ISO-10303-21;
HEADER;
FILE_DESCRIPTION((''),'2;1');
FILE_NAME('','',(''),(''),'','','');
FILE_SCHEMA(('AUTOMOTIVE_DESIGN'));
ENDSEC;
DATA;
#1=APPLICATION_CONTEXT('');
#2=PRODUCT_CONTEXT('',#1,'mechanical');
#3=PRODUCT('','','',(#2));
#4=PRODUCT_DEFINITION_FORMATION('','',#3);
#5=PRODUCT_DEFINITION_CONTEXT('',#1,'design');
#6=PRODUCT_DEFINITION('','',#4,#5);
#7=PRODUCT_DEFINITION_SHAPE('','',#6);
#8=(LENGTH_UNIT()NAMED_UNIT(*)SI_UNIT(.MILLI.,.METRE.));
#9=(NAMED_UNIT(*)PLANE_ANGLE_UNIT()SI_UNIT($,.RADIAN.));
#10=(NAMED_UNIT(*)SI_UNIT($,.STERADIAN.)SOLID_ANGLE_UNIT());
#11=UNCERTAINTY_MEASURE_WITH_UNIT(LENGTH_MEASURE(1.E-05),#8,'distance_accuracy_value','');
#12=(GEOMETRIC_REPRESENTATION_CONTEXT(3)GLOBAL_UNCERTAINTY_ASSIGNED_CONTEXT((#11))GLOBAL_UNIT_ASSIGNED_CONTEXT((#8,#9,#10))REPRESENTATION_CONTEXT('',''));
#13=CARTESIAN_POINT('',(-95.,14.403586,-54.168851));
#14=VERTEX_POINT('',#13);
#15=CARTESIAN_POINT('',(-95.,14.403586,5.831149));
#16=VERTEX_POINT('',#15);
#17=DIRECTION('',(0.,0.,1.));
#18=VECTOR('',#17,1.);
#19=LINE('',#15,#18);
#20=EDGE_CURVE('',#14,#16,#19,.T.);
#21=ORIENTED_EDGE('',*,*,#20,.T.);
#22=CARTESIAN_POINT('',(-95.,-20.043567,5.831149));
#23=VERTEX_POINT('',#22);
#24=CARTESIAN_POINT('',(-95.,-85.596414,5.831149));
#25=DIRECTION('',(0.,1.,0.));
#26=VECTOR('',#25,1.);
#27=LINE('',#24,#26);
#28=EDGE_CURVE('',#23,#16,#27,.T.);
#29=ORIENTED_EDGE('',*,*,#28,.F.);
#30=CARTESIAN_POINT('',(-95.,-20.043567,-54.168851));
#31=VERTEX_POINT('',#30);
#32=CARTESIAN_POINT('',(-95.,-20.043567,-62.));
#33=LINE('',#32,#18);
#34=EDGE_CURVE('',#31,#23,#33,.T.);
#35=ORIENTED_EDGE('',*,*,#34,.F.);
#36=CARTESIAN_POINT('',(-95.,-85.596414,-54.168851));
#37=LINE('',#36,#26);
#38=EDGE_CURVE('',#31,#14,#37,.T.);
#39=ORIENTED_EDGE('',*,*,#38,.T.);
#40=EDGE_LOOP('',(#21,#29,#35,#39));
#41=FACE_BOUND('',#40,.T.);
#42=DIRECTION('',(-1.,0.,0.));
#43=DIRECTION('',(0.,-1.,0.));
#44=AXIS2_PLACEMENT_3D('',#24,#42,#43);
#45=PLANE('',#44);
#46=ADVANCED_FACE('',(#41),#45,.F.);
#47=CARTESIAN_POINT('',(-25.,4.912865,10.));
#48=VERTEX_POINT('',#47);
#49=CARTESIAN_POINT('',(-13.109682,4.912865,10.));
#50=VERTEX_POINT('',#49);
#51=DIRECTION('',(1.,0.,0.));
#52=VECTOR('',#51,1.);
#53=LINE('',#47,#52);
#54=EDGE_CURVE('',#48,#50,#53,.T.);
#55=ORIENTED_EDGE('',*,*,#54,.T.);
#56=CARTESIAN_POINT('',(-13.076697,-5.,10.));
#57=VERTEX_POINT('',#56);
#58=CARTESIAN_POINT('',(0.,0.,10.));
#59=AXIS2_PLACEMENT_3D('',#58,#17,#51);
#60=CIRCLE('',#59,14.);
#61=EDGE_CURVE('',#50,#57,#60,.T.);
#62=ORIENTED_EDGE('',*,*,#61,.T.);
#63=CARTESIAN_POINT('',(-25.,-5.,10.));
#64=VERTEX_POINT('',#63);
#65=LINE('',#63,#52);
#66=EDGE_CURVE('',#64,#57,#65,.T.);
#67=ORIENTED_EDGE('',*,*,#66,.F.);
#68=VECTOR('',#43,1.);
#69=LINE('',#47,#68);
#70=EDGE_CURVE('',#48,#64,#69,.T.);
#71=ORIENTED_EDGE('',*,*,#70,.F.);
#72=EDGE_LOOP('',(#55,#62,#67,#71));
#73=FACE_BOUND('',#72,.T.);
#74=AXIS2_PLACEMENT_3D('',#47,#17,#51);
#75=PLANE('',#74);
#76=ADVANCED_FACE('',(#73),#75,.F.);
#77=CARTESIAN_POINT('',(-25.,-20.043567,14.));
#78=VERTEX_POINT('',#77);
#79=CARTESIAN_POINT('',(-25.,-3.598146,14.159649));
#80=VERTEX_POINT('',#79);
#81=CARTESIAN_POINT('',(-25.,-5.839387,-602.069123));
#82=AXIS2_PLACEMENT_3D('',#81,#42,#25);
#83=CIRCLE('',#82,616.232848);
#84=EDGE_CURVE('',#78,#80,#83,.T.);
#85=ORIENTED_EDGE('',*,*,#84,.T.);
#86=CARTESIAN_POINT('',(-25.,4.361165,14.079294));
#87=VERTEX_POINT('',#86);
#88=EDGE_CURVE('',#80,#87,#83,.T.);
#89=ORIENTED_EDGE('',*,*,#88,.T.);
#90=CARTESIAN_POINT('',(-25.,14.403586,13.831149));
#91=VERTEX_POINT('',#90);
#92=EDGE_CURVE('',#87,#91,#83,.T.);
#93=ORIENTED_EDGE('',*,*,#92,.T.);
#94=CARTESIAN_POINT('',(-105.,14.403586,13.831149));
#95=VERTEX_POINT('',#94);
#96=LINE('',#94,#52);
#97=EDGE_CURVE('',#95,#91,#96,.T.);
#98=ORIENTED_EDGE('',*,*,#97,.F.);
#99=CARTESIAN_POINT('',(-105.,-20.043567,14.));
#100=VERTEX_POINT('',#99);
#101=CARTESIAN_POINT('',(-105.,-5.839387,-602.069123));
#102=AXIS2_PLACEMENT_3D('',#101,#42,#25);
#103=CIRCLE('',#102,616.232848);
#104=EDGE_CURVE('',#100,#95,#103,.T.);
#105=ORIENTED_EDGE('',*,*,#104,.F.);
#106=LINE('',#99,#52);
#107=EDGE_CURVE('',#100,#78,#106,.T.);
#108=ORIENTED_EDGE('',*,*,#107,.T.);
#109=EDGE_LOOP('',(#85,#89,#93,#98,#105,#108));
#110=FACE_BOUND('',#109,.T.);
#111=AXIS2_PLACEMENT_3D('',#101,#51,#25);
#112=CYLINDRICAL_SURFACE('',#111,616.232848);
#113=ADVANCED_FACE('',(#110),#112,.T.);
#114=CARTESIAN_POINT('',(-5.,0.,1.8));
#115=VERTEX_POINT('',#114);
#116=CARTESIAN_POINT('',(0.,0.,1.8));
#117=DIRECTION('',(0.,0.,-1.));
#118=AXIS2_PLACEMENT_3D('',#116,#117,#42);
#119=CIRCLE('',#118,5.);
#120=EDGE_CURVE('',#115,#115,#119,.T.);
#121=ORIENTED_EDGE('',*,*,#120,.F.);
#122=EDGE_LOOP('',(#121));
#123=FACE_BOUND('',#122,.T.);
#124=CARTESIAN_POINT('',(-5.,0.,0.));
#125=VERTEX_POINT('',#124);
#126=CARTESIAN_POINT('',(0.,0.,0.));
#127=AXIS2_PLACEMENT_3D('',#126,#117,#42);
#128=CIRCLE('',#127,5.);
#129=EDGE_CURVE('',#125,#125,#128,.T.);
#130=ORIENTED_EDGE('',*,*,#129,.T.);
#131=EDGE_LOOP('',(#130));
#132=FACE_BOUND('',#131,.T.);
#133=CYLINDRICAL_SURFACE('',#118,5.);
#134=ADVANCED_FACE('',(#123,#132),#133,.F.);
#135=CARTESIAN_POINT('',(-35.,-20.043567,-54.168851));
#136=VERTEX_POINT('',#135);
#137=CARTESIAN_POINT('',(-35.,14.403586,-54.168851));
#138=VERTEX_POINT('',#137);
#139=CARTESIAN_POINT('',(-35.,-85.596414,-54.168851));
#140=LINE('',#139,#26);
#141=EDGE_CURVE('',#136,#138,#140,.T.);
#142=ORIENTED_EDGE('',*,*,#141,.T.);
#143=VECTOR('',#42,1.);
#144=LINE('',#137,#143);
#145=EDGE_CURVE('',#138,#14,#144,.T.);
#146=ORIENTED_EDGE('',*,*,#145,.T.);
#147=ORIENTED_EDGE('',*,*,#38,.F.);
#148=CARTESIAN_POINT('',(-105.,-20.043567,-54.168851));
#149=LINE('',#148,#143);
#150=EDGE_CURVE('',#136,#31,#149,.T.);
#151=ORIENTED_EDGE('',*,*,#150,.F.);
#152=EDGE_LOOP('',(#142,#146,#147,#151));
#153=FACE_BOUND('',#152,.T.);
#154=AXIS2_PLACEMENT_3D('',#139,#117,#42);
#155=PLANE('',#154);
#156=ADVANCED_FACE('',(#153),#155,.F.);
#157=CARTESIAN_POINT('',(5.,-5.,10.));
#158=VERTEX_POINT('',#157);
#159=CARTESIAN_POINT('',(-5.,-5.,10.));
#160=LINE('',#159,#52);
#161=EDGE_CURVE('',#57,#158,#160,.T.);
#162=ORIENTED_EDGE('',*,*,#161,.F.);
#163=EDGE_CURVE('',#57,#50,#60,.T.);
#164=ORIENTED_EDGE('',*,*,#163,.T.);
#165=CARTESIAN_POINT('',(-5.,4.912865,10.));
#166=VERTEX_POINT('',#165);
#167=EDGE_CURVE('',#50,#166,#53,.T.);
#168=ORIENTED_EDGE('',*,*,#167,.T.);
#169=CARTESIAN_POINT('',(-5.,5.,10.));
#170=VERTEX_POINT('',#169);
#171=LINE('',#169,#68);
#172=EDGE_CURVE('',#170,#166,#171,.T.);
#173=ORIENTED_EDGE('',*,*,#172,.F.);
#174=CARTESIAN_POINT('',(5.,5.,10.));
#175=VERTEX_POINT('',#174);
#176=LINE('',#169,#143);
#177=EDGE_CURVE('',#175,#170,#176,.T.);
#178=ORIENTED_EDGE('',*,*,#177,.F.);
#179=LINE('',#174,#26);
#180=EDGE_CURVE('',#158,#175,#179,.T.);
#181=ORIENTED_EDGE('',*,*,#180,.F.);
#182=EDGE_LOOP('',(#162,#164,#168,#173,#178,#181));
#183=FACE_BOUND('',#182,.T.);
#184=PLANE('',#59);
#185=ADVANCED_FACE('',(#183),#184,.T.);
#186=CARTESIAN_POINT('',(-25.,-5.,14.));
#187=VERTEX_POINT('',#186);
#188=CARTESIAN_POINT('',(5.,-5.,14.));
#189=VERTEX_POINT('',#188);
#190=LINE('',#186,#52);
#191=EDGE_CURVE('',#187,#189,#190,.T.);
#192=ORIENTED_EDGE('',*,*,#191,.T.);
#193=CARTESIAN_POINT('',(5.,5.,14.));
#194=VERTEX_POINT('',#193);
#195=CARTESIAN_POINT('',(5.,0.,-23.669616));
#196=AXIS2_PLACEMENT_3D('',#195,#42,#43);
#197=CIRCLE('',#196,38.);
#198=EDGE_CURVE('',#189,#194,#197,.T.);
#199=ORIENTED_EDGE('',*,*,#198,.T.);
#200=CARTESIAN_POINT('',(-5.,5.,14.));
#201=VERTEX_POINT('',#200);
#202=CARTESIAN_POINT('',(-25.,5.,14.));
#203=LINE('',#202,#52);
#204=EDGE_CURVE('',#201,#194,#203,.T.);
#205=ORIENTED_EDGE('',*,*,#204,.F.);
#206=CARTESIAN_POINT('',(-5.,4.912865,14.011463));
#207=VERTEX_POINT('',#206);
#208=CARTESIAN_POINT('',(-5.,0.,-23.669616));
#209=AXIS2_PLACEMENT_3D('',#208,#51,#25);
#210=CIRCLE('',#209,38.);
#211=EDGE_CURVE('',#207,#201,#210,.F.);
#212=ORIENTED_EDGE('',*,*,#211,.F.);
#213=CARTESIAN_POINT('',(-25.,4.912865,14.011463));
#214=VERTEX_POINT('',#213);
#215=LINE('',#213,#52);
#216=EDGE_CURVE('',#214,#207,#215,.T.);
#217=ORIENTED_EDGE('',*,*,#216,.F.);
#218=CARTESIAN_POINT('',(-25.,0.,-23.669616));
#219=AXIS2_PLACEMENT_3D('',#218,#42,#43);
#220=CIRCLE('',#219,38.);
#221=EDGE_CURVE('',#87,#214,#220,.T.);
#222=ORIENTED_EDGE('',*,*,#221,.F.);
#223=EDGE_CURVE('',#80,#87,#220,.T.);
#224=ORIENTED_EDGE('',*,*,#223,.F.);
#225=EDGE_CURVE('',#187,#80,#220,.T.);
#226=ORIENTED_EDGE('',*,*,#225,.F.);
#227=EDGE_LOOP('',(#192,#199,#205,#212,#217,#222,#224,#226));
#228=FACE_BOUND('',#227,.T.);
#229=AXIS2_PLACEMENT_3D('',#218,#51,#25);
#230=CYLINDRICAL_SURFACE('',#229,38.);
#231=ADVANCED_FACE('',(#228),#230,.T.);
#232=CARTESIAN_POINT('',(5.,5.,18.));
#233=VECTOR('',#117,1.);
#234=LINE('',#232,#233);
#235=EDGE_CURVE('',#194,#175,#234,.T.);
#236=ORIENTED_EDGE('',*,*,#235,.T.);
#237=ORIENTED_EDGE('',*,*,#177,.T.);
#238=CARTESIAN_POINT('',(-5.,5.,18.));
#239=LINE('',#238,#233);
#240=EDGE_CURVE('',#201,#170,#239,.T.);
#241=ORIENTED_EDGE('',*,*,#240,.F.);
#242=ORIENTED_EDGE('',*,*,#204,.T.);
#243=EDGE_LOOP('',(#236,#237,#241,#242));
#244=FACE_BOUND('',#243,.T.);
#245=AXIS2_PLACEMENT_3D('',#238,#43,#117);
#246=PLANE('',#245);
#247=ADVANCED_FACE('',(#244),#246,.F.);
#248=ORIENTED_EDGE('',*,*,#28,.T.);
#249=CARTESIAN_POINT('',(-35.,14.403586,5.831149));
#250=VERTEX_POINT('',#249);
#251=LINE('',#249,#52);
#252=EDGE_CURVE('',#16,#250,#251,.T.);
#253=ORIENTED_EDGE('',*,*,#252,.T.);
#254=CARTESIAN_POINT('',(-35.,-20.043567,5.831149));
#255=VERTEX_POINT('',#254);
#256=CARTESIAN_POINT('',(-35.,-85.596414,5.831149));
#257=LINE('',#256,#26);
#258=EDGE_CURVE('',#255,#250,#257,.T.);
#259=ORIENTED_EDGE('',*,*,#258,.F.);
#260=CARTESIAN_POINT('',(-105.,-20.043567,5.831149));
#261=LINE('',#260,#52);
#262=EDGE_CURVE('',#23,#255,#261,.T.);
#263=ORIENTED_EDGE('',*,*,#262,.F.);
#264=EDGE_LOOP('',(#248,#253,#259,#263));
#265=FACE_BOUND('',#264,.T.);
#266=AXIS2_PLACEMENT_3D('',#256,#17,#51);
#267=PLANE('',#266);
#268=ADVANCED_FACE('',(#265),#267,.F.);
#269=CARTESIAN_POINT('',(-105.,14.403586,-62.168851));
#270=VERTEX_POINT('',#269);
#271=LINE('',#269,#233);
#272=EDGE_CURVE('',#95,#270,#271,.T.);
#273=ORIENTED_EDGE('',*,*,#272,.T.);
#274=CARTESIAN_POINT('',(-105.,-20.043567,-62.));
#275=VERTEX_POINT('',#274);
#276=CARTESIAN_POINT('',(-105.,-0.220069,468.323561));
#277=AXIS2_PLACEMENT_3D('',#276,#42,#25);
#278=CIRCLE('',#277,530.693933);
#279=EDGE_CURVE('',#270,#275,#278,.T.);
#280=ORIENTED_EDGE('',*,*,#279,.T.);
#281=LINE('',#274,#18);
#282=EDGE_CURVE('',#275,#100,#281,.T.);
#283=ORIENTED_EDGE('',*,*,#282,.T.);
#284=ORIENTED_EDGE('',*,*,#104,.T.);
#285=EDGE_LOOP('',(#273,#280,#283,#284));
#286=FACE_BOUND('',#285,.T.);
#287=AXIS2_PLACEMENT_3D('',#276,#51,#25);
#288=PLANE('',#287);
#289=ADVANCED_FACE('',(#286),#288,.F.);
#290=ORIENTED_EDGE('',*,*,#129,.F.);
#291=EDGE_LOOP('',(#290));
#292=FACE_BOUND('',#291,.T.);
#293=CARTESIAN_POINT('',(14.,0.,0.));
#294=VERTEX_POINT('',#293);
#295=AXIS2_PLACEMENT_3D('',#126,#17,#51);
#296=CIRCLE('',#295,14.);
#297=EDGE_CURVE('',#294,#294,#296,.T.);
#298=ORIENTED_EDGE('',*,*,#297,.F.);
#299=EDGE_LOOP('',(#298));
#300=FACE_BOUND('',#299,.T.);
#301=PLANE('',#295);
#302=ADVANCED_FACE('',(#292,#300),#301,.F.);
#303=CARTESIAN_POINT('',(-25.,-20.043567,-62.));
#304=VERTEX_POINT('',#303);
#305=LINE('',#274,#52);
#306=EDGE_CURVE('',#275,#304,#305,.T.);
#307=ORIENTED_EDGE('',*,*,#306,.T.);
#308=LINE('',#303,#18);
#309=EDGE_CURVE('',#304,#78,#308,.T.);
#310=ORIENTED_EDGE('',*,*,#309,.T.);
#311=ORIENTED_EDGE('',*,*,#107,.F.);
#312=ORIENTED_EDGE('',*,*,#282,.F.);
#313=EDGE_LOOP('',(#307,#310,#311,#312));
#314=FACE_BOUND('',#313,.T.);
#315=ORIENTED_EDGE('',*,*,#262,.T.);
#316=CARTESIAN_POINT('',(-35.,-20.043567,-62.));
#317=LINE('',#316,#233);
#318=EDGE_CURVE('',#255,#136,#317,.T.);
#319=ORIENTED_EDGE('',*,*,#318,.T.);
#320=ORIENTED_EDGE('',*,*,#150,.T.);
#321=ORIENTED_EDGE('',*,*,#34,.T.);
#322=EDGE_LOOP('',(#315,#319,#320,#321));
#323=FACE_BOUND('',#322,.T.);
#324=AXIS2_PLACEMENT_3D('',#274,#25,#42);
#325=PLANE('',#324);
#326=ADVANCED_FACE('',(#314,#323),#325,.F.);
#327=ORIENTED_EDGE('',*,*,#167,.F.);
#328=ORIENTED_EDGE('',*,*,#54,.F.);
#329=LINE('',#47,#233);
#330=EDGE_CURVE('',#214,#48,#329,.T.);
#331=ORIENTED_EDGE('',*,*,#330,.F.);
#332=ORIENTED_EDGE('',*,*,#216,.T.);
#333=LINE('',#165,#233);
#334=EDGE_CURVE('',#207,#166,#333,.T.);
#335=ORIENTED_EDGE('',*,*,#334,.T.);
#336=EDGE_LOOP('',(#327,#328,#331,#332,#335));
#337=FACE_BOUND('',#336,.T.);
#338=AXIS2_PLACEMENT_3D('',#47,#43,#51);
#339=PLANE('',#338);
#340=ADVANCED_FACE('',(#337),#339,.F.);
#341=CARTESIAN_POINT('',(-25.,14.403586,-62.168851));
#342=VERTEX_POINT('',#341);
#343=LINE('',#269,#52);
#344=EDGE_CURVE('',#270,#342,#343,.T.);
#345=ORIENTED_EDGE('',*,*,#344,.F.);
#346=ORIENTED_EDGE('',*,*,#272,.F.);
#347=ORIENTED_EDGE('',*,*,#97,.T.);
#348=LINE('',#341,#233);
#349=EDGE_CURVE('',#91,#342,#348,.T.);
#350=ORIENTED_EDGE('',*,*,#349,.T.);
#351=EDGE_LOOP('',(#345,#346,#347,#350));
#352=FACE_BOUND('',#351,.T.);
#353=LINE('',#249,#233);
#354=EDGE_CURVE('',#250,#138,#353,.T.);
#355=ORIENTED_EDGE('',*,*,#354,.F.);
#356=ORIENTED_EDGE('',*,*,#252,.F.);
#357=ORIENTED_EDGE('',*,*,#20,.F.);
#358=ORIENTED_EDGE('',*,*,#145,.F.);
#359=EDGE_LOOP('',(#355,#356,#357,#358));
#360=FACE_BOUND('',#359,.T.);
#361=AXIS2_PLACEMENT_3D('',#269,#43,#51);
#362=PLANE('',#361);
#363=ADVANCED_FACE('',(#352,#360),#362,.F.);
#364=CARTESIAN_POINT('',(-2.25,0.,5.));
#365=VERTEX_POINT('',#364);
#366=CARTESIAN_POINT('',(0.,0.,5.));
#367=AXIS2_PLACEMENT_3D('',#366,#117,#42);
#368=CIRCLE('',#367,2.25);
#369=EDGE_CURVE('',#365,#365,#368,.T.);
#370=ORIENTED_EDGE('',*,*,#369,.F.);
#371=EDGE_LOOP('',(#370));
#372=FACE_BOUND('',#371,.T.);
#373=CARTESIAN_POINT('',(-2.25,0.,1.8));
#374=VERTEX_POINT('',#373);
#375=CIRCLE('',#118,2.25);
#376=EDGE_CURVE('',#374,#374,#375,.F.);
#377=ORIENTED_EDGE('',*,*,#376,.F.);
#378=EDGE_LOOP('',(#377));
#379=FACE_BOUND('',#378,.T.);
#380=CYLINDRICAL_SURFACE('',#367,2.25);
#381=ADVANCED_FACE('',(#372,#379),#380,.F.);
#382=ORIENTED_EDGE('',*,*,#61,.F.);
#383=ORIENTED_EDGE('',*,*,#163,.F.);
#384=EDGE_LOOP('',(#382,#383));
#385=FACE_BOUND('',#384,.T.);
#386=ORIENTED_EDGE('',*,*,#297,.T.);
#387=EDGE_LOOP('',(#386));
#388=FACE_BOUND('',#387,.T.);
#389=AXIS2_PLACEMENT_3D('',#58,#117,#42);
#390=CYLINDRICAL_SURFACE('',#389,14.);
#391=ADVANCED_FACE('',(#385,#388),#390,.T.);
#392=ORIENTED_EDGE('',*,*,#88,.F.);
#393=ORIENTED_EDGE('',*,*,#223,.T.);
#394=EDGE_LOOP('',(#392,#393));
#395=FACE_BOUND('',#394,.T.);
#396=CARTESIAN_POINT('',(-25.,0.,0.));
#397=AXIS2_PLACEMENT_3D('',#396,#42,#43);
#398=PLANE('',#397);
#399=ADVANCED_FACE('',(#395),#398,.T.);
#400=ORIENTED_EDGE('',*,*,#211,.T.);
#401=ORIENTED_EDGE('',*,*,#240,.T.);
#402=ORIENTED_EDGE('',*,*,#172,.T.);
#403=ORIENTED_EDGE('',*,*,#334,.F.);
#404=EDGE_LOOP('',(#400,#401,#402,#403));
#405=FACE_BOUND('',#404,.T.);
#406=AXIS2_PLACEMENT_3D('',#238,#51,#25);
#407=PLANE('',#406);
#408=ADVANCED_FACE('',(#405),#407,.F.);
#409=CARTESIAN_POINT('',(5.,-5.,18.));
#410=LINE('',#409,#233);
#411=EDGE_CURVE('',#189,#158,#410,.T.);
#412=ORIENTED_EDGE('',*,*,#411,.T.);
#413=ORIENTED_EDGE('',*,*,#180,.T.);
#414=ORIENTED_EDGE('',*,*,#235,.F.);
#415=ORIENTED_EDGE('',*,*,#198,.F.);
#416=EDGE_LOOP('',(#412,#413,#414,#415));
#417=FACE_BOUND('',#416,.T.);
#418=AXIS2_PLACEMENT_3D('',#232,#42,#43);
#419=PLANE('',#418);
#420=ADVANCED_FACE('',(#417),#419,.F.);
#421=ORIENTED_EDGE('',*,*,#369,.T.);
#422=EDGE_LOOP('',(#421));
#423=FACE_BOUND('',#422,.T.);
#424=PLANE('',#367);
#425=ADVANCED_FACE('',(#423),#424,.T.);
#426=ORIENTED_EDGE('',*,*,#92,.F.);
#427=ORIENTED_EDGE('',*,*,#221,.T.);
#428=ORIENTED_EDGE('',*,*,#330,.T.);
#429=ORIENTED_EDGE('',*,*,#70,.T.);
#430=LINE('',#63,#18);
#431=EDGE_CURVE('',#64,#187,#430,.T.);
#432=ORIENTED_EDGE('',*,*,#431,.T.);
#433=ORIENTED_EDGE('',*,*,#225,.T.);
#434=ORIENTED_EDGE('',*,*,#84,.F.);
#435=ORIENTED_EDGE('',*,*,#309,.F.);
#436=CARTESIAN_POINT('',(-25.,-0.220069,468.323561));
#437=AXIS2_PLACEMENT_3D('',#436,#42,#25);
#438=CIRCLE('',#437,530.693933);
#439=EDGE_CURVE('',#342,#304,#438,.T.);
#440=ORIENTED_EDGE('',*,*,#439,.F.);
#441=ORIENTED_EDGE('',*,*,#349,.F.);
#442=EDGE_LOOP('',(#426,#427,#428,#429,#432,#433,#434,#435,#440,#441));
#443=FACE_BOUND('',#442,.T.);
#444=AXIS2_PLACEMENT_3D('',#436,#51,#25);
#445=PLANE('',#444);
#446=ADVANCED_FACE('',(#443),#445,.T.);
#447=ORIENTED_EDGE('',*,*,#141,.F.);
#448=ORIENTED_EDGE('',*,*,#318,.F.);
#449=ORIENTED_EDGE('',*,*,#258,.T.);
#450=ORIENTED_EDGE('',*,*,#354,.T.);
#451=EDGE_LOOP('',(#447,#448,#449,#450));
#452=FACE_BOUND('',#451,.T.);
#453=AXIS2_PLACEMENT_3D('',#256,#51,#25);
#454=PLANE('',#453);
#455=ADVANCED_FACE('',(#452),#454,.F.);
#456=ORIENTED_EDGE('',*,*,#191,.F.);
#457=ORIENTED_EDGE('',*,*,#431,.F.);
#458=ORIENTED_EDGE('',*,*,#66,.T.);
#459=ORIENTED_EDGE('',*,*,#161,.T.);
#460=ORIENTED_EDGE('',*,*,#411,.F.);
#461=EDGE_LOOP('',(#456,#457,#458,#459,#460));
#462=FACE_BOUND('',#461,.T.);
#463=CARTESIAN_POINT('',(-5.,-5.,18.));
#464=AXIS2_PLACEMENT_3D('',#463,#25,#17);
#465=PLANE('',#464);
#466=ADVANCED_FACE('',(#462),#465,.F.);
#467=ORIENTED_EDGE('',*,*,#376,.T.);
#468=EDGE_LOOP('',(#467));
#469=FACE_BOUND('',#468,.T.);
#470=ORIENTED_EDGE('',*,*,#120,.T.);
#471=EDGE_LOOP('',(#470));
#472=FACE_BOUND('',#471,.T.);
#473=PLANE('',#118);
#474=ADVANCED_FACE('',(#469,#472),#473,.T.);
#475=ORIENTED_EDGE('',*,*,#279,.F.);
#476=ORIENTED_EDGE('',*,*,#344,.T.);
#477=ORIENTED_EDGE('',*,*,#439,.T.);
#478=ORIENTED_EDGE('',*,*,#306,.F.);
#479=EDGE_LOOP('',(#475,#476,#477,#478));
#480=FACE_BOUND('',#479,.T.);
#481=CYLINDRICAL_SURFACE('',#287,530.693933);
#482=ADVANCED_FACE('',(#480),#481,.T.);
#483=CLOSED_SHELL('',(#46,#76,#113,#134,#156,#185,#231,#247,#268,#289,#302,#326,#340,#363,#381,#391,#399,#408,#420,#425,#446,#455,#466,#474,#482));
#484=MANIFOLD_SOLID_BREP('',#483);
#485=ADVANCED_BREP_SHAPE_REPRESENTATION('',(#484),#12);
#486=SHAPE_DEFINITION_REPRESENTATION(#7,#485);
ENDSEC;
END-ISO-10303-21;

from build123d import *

# Parameters (mm, degrees)
SKETCH1_R           = 14
BOSS_EXTRUDE1_DEPTH = 10
SKETCH2_R           = 2.25
CUT_EXTRUDE1_DEPTH  = 5
SKETCH3_R           = 5
CUT_EXTRUDE2_DEPTH  = 1.8
SKETCH4_W           = 10
SKETCH4_H           = 10
BOSS_EXTRUDE2_DEPTH = 8
SKETCH6_W           = 8
SKETCH6_H           = 9.912865289
BOSS_EXTRUDE3_DEPTH = 20
CUT_EXTRUDE3_DEPTH  = 30
BOSS_EXTRUDE4_DEPTH = 80
SKETCH9_W           = 60
SKETCH9_H           = 60
CUT_EXTRUDE4_DEPTH  = 100


with BuildPart() as part:
    # Sketch1 → Boss-Extrude1 (new body)
    with BuildSketch(Plane.XY):
        Circle(SKETCH1_R)
    extrude(amount=BOSS_EXTRUDE1_DEPTH)

    # Sketch2 → Cut-Extrude1 (cut)
    with BuildSketch(Plane(origin=(0, 0, 0), x_dir=(-1, 0, 0), z_dir=(0, 0, -1))):
        Circle(SKETCH2_R)
    extrude(amount=-CUT_EXTRUDE1_DEPTH, mode=Mode.SUBTRACT)

    # Sketch3 → Cut-Extrude2 (cut)
    with BuildSketch(Plane(origin=(0, 0, 0), x_dir=(-1, 0, 0), z_dir=(0, 0, -1))):
        Circle(SKETCH3_R)
    extrude(amount=-CUT_EXTRUDE2_DEPTH, mode=Mode.SUBTRACT)

    # Sketch4 → Boss-Extrude2 (add)
    with BuildSketch(Plane.XY.offset(10)):
        Rectangle(SKETCH4_W, SKETCH4_H)
    extrude(amount=BOSS_EXTRUDE2_DEPTH)

    # Sketch6 → Boss-Extrude3 (add)
    with BuildSketch(Plane.ZY.offset(5)):
        with Locations((14, -0.043567356)):
            Rectangle(SKETCH6_W, SKETCH6_H)
    extrude(amount=BOSS_EXTRUDE3_DEPTH)

    # Sketch7 → Cut-Extrude3 (cut)
    with BuildSketch(Plane(origin=(5, 0, 0), x_dir=(0, 0, -1), z_dir=(1, 0, 0))):
        with BuildLine():
            Line((-18, 5), (-18, -5))
            Line((-18, -5), (-14, -5))
            ThreePointArc((-14, -5), (-14.330383596, 0), (-14, 5))
            Line((-14, 5), (-18, 5))
        make_face()
    extrude(amount=-CUT_EXTRUDE3_DEPTH, mode=Mode.SUBTRACT)

    # Sketch8 → Boss-Extrude4 (add)
    with BuildSketch(Plane.ZY.offset(25)):
        with BuildLine():
            Line((-62.16885098, 14.403585903), (13.83114902, 14.403585903))
            ThreePointArc((13.83114902, 14.403585903), (14.156322075, -2.818810644), (14, -20.043567356))
            Line((14, -20.043567356), (-62, -20.043567356))
            ThreePointArc((-62, -20.043567356), (-62.363996537, -2.821361111), (-62.16885098, 14.403585903))
        make_face()
    extrude(amount=BOSS_EXTRUDE4_DEPTH)

    # Sketch9 → Cut-Extrude4 (cut)
    with BuildSketch(Plane(origin=(0, 14.403585903, 0), x_dir=(1, 0, 0), z_dir=(0, 1, 0))):
        with Locations((-65, 24.16885098)):
            Rectangle(SKETCH9_W, SKETCH9_H)
    extrude(amount=-CUT_EXTRUDE4_DEPTH, mode=Mode.SUBTRACT)


solid = part.part
